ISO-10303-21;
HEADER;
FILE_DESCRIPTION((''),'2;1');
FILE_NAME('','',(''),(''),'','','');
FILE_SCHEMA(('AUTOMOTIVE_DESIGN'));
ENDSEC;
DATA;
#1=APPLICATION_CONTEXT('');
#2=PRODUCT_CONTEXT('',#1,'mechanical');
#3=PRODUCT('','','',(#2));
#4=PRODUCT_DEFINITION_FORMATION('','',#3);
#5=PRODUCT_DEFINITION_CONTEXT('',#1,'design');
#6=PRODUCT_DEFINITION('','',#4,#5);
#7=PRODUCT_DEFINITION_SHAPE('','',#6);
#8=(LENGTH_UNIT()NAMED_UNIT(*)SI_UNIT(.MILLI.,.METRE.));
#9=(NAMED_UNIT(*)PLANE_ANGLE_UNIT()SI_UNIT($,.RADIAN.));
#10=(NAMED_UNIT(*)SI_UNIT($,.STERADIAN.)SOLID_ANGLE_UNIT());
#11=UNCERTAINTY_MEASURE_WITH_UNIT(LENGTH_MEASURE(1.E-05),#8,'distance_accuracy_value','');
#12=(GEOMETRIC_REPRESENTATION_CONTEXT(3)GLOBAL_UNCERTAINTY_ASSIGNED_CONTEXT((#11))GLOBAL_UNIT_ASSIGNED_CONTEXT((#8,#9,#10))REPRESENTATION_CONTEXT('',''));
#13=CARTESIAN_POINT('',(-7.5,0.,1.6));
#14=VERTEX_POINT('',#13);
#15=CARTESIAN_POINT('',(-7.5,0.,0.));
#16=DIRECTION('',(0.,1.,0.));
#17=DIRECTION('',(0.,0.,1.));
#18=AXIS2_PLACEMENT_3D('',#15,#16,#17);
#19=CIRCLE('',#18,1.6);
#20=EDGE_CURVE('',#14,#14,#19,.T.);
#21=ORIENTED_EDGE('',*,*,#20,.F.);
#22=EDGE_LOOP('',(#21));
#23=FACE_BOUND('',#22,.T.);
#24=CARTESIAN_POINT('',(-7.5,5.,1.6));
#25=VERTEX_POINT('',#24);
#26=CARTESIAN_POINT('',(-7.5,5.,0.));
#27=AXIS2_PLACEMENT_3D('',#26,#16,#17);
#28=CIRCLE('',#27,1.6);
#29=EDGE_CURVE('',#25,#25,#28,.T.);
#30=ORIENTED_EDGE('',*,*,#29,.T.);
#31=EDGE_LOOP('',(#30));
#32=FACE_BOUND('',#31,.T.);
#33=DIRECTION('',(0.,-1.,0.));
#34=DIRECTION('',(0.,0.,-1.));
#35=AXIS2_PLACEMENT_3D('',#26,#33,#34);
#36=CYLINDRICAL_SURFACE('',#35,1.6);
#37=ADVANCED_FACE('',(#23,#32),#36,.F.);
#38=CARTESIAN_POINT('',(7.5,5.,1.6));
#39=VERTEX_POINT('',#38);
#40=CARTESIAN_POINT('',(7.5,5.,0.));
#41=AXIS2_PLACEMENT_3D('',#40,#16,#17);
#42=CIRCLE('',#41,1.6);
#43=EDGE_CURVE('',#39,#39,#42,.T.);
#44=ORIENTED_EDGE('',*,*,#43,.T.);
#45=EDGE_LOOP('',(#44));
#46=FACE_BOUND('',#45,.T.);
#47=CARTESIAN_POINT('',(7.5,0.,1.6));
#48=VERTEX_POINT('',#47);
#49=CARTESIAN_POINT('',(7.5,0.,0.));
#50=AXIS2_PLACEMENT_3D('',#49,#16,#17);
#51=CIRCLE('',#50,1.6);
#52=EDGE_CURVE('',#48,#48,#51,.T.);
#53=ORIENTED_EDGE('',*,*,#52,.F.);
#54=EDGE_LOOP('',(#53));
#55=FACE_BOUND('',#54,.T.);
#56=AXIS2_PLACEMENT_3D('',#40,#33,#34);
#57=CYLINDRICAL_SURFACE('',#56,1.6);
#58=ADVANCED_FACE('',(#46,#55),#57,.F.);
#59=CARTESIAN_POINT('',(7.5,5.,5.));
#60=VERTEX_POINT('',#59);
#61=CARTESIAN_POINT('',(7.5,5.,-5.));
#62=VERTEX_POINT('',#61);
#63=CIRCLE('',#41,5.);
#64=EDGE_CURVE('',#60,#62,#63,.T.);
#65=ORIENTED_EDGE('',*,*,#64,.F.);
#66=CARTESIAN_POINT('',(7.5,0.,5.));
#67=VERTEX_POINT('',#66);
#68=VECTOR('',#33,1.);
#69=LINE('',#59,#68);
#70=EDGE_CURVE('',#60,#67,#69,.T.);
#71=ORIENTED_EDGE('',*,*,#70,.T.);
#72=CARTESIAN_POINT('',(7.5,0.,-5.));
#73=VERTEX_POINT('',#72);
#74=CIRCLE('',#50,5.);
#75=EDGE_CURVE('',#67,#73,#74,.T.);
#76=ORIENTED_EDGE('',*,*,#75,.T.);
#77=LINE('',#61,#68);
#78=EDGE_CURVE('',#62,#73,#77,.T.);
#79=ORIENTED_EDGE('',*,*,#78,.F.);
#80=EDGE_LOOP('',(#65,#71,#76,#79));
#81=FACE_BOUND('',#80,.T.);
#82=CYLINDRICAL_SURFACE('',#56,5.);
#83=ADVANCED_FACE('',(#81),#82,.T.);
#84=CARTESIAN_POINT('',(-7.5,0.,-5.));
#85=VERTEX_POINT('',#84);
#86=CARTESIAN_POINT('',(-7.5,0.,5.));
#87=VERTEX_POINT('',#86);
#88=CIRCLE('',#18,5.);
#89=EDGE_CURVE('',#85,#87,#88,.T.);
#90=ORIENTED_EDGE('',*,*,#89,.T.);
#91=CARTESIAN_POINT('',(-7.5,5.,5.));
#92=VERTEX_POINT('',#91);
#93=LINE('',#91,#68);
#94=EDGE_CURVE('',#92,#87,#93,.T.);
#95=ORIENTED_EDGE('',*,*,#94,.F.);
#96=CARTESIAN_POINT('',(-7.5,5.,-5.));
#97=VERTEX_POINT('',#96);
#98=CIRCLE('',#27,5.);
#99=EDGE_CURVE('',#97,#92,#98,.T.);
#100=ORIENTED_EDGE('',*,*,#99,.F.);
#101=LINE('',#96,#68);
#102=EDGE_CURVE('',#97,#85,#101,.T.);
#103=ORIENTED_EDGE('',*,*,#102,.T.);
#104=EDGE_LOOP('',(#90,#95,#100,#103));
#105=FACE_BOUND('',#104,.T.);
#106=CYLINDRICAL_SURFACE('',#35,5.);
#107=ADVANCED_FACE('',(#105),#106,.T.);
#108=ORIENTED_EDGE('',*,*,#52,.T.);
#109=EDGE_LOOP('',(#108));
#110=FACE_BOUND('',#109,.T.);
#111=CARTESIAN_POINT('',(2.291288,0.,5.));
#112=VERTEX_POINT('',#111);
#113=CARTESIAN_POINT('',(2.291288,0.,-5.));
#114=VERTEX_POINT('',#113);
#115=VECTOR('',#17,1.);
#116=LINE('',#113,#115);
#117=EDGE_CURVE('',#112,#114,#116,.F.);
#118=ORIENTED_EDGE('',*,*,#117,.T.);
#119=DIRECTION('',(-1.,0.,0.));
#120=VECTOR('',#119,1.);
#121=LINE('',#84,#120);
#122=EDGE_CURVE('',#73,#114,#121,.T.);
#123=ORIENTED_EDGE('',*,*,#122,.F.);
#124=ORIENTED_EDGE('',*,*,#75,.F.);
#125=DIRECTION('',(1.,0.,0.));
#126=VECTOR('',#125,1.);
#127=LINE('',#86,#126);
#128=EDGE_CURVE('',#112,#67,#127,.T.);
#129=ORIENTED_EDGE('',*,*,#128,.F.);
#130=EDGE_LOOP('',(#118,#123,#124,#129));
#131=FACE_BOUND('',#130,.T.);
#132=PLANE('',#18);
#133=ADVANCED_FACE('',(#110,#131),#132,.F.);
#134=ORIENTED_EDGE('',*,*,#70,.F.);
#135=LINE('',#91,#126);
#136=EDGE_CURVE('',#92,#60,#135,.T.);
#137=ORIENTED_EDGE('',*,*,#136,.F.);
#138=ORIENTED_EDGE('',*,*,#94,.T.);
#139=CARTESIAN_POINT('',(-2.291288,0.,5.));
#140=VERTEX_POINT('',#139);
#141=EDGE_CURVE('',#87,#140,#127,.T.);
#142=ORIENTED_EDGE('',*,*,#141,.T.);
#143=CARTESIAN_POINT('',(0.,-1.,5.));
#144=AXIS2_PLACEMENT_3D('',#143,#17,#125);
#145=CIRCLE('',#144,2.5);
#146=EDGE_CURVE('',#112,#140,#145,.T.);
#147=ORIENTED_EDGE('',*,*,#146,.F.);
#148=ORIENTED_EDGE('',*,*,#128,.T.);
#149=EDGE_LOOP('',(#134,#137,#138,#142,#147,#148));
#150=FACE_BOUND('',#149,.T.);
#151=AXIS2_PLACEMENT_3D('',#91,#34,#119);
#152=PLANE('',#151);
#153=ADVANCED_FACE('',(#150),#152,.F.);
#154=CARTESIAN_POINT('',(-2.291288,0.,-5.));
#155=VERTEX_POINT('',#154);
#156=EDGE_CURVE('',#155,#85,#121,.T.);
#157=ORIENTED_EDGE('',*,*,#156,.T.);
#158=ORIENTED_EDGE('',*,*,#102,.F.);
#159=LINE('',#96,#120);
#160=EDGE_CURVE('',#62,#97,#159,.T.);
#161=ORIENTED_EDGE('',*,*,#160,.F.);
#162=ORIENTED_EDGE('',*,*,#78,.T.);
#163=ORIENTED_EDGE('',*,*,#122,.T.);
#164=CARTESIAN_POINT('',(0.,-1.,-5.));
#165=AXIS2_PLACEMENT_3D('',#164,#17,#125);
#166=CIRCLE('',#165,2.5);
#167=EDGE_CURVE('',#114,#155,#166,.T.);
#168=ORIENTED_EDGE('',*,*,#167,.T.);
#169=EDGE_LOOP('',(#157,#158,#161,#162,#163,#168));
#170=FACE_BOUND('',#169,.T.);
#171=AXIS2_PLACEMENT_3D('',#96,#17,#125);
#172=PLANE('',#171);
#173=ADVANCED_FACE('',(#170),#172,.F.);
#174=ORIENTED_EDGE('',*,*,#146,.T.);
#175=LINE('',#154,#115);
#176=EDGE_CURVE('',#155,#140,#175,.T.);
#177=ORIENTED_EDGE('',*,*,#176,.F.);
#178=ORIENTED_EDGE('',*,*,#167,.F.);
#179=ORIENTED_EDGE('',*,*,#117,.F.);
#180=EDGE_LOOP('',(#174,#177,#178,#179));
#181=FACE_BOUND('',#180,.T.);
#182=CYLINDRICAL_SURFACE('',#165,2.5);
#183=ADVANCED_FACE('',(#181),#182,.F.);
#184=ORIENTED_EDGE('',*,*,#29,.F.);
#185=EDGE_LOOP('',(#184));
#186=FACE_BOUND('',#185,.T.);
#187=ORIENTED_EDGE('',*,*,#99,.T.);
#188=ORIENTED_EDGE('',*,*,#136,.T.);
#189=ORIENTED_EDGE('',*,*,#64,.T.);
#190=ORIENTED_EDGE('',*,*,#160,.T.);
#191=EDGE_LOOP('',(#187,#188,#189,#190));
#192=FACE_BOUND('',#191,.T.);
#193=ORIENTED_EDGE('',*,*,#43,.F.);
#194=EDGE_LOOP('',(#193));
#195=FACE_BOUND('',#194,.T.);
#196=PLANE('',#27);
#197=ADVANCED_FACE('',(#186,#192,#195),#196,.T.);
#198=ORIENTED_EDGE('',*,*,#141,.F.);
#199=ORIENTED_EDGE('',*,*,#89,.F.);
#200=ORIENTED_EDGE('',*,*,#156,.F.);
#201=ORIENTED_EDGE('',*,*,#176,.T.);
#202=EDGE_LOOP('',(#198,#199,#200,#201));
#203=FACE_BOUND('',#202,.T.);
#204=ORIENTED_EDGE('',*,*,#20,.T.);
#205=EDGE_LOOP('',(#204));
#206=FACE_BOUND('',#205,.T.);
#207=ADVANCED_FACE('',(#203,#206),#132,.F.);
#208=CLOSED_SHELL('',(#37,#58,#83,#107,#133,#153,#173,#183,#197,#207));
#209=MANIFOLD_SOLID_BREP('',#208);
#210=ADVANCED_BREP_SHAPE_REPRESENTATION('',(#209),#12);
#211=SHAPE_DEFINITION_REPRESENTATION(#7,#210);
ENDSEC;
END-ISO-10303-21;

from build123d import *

# Parameters (mm, degrees)
SKETCH1_R           = 1.6
BOSS_EXTRUDE1_DEPTH = 5
SKETCH2_R           = 2.5
CUT_EXTRUDE1_DEPTH  = 17.770509831


with BuildPart() as part:
    # Sketch1 → Boss-Extrude1 (new body)
    with BuildSketch(Plane(origin=(0, 0, 0), x_dir=(1, 0, 0), z_dir=(0, 1, 0))):
        with BuildLine():
            Line((-7.5, 5), (7.5, 5))
            ThreePointArc((7.5, 5), (12.5, 0), (7.5, -5))
            Line((7.5, -5), (-7.5, -5))
            ThreePointArc((-7.5, -5), (-12.5, 0), (-7.5, 5))
        make_face()
        with Locations(Location((-7.5, 0, 0), (0, 0, 270))):
            Circle(SKETCH1_R, mode=Mode.SUBTRACT)
        with Locations(Location((7.5, 0, 0), (0, 0, 270))):
            Circle(SKETCH1_R, mode=Mode.SUBTRACT)
    extrude(amount=BOSS_EXTRUDE1_DEPTH)

    # Sketch2 → Cut-Extrude1 (cut, through all)
    with BuildSketch(Plane.XY.offset(5)):
        with Locations((0, -1)):
            Circle(SKETCH2_R)
    extrude(amount=-CUT_EXTRUDE1_DEPTH, mode=Mode.SUBTRACT)


solid = part.part
